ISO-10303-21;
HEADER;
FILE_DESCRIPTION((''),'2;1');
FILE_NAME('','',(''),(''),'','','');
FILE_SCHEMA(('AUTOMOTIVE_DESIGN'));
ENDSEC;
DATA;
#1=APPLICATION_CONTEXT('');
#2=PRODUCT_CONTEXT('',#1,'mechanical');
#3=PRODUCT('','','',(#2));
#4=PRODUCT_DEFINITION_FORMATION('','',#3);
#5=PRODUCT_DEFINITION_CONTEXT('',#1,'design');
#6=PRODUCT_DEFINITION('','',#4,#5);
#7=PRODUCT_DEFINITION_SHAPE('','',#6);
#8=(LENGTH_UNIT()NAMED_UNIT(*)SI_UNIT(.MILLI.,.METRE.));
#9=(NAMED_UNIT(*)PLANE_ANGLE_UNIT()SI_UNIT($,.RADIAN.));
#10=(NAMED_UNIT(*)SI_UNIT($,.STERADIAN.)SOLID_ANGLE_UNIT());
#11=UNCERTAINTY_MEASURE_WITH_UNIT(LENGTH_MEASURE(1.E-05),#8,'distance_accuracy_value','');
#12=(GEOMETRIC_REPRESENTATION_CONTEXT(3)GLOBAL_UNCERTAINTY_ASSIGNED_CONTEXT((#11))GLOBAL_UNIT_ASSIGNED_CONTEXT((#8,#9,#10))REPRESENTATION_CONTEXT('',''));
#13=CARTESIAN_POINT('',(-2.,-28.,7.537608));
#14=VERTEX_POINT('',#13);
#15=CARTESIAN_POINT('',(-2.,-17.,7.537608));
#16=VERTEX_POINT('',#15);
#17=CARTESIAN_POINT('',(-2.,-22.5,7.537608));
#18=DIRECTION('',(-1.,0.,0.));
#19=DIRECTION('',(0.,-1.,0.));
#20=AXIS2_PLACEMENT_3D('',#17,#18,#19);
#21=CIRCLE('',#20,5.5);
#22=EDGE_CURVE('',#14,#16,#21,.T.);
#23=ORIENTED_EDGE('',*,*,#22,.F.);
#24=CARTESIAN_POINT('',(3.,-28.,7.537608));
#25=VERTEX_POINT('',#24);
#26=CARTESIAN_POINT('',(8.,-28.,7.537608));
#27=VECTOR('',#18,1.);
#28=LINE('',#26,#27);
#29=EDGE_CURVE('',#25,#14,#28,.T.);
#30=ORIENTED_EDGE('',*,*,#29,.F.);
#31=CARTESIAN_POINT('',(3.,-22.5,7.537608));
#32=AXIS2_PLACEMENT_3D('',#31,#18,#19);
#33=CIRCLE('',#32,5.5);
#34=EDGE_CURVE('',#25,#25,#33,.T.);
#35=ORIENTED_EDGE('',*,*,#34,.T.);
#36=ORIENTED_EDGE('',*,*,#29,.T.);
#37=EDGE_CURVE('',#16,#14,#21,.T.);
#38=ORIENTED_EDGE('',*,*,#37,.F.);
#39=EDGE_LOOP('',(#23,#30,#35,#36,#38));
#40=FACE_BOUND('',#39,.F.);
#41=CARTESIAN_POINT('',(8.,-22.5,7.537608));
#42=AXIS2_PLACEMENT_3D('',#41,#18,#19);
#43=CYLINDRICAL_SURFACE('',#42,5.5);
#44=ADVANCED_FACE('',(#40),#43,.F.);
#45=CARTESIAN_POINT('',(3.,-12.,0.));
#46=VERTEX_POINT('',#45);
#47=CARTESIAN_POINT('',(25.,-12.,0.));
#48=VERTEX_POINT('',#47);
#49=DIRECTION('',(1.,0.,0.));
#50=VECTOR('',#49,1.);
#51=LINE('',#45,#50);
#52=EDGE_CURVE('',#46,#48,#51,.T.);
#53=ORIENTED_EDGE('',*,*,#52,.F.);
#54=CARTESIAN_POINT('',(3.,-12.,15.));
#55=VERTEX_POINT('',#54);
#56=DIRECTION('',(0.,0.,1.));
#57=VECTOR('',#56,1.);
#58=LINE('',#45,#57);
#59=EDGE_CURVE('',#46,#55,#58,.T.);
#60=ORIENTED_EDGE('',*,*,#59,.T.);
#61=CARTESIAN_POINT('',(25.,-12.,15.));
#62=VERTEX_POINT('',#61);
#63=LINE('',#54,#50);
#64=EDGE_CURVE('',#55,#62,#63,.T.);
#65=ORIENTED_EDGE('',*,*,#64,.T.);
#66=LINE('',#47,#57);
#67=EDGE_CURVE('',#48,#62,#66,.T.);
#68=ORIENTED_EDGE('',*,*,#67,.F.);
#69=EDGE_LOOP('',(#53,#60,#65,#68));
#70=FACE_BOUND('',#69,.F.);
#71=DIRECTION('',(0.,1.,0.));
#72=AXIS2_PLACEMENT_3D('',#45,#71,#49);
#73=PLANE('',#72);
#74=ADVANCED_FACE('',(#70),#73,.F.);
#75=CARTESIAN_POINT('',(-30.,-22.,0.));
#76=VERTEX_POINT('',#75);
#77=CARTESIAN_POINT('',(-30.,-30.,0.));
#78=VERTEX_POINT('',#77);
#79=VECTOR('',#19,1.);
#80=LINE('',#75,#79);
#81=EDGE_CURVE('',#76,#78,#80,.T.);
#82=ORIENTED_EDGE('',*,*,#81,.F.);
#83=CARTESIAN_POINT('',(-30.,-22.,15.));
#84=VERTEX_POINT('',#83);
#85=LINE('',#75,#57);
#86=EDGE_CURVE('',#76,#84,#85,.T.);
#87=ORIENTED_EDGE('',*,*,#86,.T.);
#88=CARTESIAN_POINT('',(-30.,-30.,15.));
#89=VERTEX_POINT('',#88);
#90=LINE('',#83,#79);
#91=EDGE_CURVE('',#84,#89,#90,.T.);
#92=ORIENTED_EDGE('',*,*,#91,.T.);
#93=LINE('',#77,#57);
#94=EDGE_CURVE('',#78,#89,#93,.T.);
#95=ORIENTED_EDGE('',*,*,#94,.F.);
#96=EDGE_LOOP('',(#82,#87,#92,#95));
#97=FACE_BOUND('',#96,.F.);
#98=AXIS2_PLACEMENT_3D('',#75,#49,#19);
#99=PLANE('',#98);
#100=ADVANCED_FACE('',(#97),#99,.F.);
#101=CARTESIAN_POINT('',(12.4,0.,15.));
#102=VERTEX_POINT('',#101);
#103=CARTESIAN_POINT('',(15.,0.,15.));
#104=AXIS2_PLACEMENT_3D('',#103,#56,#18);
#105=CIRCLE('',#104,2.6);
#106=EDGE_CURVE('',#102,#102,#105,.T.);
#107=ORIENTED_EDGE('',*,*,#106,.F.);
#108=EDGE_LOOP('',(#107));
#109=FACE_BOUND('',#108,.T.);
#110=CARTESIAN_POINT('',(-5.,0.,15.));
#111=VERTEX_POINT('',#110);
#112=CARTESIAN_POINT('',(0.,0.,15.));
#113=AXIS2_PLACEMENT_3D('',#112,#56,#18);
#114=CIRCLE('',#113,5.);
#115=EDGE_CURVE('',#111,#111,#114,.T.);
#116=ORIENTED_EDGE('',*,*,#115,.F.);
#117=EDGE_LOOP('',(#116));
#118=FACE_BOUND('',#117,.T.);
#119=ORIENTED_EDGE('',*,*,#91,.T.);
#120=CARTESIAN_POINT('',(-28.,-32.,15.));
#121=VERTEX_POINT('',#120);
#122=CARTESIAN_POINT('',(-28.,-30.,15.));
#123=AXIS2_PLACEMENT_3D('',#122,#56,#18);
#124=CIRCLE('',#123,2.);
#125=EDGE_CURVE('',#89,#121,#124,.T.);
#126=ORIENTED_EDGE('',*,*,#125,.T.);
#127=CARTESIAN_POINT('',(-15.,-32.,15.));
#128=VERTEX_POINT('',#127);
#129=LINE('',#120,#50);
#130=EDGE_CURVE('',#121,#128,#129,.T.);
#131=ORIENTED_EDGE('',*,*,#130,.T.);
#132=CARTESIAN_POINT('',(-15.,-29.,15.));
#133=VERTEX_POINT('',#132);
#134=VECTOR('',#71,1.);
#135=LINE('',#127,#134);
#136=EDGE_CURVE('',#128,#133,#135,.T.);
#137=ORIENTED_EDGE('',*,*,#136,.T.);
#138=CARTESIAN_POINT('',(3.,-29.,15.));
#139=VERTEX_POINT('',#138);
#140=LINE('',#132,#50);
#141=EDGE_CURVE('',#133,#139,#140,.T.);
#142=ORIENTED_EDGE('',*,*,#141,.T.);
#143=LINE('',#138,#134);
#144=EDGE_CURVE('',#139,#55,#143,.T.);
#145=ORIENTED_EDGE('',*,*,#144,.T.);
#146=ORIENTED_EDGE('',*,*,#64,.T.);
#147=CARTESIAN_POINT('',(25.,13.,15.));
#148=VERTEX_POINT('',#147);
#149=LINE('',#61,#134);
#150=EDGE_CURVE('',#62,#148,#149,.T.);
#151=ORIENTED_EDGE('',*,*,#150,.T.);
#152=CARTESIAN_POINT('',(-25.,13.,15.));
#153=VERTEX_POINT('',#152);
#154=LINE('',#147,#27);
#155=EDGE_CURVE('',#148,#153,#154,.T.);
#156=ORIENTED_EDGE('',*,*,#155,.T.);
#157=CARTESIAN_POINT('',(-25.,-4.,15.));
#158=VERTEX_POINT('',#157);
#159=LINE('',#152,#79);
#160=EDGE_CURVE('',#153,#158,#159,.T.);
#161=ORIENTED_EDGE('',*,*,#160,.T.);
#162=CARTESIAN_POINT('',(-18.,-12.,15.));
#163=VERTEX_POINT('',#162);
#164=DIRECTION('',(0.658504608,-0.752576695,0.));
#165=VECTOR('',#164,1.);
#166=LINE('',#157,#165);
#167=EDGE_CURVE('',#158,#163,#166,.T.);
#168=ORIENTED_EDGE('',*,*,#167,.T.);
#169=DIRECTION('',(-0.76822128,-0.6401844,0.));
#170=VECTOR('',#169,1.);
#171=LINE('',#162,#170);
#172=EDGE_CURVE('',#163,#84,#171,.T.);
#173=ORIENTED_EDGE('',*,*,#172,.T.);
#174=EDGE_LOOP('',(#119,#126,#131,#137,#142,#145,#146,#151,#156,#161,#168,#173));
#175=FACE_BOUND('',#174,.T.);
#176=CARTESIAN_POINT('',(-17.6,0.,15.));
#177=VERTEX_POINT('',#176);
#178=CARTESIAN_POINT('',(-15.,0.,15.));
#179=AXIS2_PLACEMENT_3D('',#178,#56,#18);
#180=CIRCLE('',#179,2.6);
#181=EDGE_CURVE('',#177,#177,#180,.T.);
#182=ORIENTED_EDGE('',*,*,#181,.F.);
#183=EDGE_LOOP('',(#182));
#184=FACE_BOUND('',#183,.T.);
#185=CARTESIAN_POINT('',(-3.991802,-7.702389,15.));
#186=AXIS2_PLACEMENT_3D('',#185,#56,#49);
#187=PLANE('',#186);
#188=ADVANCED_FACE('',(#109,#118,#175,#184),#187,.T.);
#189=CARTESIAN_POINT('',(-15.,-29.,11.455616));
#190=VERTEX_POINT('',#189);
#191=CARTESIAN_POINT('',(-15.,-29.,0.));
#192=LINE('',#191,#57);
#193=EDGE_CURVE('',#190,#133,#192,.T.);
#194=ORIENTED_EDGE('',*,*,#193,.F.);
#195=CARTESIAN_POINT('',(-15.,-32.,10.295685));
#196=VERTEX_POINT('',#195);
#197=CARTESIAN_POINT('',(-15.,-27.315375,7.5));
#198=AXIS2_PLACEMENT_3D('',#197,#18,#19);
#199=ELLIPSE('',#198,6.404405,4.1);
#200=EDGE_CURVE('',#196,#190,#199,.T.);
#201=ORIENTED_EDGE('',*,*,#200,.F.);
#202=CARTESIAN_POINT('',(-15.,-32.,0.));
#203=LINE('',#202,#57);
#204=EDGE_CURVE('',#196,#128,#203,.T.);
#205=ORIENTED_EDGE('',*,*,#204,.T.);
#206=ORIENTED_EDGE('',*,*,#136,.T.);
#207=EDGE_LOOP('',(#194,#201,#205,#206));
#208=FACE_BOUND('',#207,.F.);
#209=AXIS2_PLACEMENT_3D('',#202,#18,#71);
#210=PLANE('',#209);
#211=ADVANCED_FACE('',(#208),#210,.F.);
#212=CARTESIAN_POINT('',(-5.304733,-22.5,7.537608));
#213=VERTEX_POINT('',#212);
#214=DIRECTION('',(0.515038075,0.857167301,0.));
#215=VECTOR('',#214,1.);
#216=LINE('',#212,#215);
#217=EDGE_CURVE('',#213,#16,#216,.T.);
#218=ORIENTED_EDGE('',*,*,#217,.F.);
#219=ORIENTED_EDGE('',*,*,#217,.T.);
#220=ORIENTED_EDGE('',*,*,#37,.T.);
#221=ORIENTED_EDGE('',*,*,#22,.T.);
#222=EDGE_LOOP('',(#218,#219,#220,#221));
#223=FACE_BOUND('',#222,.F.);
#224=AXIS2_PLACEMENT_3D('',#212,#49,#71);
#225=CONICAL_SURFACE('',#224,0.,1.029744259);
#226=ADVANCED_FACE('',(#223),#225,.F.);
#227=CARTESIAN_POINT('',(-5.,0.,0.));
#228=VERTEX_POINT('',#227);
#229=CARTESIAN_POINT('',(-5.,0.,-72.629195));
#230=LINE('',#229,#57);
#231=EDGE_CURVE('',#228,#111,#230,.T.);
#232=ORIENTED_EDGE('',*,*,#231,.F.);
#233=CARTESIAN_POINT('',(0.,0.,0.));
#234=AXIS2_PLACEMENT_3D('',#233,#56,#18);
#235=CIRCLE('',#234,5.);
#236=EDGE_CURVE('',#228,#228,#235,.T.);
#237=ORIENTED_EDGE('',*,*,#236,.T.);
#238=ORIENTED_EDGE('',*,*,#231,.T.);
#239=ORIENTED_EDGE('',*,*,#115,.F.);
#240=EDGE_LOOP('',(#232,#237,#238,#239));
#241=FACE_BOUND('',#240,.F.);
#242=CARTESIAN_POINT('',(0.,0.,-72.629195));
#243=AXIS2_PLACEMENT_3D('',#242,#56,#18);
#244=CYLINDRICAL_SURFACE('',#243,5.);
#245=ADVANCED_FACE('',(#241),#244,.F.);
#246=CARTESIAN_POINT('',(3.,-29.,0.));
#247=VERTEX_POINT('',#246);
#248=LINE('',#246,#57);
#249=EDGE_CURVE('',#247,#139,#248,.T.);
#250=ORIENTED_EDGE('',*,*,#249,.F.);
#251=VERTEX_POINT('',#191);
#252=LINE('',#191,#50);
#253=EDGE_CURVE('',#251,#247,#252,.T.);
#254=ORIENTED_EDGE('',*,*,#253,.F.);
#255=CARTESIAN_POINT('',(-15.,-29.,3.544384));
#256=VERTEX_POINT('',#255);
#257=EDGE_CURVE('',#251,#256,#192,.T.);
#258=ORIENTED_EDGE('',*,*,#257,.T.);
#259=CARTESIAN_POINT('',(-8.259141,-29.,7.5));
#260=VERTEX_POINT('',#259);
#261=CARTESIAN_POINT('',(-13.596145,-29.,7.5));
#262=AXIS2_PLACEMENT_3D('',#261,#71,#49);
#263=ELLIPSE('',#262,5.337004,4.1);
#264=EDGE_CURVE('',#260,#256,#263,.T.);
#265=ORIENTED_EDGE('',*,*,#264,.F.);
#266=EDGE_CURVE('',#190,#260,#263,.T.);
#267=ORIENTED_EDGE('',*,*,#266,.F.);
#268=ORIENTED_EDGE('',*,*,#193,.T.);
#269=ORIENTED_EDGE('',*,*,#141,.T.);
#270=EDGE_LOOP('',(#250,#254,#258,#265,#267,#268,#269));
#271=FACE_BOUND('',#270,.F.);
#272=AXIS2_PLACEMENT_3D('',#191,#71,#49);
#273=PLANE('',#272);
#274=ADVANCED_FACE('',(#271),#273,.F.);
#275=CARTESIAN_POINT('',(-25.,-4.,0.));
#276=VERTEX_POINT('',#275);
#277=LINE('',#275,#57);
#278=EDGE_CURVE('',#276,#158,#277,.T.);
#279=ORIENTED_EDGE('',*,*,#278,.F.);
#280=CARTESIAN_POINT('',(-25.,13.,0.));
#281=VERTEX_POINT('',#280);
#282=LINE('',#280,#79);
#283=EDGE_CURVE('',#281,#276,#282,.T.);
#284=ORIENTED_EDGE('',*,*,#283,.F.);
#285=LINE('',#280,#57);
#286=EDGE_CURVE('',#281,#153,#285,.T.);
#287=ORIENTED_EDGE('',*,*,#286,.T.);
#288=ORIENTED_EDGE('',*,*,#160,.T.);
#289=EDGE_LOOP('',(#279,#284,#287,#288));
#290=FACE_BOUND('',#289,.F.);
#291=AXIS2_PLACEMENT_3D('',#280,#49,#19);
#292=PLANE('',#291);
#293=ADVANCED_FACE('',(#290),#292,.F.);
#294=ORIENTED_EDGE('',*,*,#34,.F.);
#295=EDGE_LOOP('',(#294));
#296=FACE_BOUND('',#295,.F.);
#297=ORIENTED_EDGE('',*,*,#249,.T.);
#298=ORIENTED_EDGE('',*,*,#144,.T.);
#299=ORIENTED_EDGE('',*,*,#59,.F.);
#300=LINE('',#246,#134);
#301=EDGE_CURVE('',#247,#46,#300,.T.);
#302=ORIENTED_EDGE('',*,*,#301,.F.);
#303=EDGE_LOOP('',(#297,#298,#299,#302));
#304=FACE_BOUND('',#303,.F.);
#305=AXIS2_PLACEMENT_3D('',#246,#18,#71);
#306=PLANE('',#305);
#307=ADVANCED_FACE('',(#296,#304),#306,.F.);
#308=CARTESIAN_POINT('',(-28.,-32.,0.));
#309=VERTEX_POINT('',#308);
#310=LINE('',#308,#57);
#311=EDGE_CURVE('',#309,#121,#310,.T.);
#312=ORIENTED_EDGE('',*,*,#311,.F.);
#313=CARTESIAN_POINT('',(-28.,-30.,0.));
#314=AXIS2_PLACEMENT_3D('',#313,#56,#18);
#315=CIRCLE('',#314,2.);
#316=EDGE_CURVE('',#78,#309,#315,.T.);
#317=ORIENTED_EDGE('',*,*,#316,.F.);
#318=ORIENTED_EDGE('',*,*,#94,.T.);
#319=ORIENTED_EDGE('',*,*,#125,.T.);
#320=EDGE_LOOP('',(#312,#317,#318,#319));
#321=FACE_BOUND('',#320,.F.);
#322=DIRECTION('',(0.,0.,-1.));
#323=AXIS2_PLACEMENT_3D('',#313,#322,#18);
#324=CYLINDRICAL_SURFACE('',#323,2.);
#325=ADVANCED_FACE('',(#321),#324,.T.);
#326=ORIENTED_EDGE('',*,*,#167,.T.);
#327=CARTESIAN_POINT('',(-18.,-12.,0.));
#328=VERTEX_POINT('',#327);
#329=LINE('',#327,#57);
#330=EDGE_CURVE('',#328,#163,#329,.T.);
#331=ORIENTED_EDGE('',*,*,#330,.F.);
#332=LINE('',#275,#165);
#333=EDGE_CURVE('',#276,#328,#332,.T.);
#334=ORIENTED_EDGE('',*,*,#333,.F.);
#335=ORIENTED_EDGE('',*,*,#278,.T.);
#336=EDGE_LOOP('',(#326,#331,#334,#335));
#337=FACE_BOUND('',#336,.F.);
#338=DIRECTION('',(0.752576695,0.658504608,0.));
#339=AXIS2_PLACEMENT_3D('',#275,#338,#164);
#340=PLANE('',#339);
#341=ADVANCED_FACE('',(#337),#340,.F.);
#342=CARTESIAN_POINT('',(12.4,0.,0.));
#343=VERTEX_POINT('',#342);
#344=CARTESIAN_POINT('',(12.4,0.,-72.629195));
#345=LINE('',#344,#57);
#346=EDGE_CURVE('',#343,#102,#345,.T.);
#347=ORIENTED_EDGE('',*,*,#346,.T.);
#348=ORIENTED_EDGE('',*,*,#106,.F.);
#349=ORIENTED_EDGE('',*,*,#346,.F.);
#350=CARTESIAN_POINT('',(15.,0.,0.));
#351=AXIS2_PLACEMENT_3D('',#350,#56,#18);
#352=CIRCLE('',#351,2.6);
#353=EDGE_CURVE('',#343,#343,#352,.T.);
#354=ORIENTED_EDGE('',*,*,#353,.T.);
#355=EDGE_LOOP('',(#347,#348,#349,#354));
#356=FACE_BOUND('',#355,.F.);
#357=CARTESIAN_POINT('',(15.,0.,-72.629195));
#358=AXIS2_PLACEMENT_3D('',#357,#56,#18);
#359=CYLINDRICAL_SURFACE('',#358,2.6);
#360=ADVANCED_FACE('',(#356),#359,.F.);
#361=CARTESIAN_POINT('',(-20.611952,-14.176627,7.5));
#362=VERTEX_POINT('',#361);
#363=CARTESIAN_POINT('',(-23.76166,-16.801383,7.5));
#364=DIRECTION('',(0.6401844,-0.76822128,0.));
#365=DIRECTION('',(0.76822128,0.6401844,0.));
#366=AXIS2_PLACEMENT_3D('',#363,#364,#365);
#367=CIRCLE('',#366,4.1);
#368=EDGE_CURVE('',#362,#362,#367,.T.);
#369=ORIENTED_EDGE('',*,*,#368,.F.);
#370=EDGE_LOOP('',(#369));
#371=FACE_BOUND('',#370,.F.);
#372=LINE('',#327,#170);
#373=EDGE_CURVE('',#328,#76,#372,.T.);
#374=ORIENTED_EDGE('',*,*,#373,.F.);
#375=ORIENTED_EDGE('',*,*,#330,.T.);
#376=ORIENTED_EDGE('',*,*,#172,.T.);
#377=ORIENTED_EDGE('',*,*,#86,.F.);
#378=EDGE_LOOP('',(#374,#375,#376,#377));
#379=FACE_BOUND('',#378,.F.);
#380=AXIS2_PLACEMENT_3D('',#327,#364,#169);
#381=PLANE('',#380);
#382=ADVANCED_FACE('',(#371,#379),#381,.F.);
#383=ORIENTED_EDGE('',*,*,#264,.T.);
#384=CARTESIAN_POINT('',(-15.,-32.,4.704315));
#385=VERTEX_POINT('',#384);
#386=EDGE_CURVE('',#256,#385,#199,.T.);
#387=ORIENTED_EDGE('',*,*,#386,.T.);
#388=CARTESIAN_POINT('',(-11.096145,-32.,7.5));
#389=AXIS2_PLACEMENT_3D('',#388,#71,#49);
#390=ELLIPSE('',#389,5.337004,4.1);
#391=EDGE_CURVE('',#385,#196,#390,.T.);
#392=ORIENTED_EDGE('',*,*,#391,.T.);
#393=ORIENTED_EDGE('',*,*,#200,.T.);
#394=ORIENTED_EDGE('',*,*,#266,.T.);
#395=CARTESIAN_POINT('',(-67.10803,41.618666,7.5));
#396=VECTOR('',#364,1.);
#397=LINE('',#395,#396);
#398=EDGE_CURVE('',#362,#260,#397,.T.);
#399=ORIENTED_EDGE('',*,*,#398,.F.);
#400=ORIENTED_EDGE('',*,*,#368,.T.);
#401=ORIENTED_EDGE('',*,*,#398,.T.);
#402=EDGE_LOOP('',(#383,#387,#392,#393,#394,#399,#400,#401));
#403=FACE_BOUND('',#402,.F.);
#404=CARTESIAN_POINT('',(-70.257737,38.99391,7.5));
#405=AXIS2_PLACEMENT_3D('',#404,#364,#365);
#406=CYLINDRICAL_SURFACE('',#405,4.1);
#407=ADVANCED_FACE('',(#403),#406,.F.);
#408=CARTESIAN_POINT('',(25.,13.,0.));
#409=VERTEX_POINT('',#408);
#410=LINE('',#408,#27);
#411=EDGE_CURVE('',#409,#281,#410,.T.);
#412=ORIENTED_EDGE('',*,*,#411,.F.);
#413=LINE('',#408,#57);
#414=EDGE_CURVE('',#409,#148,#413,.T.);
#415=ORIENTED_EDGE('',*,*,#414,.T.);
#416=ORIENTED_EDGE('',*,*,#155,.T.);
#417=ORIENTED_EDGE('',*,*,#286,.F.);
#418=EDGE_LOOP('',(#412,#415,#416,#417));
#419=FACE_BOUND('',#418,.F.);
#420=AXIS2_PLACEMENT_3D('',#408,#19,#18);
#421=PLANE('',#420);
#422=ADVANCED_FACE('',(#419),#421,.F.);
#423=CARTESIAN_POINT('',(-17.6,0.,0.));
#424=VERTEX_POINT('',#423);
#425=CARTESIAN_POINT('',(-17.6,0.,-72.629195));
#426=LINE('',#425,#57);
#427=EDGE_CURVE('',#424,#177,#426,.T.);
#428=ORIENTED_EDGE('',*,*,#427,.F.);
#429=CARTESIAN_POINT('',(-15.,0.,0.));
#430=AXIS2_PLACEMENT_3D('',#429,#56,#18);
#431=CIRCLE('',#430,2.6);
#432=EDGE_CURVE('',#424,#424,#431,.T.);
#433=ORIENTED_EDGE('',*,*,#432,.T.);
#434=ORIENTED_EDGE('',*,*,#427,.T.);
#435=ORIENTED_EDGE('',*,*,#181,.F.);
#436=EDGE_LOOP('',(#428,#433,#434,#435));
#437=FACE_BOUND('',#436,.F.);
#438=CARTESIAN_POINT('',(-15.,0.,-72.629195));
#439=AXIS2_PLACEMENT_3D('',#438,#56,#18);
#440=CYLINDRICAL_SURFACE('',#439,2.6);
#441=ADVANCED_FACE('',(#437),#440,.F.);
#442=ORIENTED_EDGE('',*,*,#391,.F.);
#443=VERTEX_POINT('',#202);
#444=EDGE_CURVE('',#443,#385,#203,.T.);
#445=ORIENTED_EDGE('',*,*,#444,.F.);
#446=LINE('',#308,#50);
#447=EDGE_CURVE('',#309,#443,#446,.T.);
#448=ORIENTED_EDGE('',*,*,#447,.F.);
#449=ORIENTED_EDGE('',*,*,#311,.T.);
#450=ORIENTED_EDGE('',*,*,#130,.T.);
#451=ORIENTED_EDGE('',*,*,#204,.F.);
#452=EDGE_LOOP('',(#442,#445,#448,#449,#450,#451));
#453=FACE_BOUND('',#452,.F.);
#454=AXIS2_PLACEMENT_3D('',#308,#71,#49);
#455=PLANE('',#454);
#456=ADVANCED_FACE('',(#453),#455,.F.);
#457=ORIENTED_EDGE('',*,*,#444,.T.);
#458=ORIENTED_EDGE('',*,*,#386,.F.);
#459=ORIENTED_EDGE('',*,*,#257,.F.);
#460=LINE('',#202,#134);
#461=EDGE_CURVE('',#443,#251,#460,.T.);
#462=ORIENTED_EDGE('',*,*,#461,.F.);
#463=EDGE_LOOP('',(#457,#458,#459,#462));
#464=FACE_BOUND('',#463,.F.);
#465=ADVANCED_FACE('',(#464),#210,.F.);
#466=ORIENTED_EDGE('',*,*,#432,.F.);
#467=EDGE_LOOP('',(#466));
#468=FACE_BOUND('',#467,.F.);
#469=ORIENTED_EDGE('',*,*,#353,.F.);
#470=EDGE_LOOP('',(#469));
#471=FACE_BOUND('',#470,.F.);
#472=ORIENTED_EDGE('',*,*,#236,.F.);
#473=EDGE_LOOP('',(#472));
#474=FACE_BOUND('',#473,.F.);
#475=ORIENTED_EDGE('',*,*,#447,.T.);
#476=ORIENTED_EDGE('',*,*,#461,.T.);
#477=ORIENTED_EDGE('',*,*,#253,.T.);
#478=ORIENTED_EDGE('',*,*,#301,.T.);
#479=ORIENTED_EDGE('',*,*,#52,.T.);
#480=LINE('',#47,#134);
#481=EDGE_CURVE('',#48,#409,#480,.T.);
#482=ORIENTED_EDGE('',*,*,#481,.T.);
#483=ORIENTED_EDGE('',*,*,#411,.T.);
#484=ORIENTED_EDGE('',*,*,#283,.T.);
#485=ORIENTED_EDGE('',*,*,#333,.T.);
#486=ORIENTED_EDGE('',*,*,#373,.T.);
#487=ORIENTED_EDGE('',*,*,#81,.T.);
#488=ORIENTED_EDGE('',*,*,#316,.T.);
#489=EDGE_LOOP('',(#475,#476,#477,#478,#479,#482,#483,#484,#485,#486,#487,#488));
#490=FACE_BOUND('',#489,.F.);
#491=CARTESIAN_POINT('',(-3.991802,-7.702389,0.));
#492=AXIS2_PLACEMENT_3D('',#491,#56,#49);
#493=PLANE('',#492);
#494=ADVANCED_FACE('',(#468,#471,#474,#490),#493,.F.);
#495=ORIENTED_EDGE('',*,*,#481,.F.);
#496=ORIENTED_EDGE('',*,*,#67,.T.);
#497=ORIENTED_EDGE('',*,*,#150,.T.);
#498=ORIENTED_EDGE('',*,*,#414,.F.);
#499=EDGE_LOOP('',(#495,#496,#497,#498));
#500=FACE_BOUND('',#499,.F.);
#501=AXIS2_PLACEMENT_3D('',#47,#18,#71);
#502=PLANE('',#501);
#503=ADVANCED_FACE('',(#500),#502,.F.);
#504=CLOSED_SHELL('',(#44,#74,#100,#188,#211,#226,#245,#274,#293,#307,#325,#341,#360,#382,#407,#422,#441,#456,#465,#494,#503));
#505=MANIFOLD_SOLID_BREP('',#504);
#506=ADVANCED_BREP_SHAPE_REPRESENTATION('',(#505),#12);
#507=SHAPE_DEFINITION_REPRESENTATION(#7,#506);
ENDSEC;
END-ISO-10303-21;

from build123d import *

# Parameters (mm, degrees)
F1_DEPTH = 15
F2_D     = 5.2
F3_D     = 10
F5_D     = 8.2
F7_D     = 11
F7_DEPTH = 5
F7_TIP   = 3.3047334047


with BuildPart() as f1:
    # F0 (on Top) → F1 (new body)
    with BuildSketch(Plane.XY):
        with BuildLine():
            Line((25, 13), (-25, 13))
            Line((-25, 13), (-25, -4))
            Line((-25, -4), (-18, -12))
            Line((-18, -12), (-30, -22))
            Line((-30, -22), (-30, -30))
            ThreePointArc((-30, -30), (-29.4142135624, -31.4142135624), (-28, -32))
            Line((-28, -32), (-15, -32))
            Line((-15, -32), (-15, -29))
            Line((-15, -29), (3, -29))
            Line((3, -29), (3, -12))
            Line((3, -12), (25, -12))
            Line((25, -12), (25, 13))
        make_face()
    extrude(amount=F1_DEPTH)

    # F2 (through all)
    with Locations(Plane(origin=(0, 0, 0), x_dir=(1, 0, 0), z_dir=(0, 0, -1))):
        with Locations((-15, 0), (15, 0)):
            Hole(F2_D / 2)

    # F3 (through all)
    with Locations(Plane(origin=(0, 0, 0), x_dir=(1, 0, 0), z_dir=(0, 0, -1))):
        with Locations((0, 0)):
            Hole(F3_D / 2)

    # F5 (through all)
    with Locations(Plane(origin=(-1.4754098361, 1.7704918033, 0), x_dir=(-0.7682212796, -0.6401843997, 0), z_dir=(-0.6401843997, 0.7682212796, 0))):
        with Locations((29.0101958287, 7.5)):
            Hole(F5_D / 2)

    # F7
    with Locations(Plane.YZ.offset(3)):
        with Locations((-22.5, 7.5376075692)):
            Hole(F7_D / 2, depth=F7_DEPTH)
            with Locations((0, 0, -(F7_DEPTH + F7_TIP / 2))):  # 118° drill point
                Cone(0, F7_D / 2, F7_TIP, mode=Mode.SUBTRACT)


solid = f1.part
